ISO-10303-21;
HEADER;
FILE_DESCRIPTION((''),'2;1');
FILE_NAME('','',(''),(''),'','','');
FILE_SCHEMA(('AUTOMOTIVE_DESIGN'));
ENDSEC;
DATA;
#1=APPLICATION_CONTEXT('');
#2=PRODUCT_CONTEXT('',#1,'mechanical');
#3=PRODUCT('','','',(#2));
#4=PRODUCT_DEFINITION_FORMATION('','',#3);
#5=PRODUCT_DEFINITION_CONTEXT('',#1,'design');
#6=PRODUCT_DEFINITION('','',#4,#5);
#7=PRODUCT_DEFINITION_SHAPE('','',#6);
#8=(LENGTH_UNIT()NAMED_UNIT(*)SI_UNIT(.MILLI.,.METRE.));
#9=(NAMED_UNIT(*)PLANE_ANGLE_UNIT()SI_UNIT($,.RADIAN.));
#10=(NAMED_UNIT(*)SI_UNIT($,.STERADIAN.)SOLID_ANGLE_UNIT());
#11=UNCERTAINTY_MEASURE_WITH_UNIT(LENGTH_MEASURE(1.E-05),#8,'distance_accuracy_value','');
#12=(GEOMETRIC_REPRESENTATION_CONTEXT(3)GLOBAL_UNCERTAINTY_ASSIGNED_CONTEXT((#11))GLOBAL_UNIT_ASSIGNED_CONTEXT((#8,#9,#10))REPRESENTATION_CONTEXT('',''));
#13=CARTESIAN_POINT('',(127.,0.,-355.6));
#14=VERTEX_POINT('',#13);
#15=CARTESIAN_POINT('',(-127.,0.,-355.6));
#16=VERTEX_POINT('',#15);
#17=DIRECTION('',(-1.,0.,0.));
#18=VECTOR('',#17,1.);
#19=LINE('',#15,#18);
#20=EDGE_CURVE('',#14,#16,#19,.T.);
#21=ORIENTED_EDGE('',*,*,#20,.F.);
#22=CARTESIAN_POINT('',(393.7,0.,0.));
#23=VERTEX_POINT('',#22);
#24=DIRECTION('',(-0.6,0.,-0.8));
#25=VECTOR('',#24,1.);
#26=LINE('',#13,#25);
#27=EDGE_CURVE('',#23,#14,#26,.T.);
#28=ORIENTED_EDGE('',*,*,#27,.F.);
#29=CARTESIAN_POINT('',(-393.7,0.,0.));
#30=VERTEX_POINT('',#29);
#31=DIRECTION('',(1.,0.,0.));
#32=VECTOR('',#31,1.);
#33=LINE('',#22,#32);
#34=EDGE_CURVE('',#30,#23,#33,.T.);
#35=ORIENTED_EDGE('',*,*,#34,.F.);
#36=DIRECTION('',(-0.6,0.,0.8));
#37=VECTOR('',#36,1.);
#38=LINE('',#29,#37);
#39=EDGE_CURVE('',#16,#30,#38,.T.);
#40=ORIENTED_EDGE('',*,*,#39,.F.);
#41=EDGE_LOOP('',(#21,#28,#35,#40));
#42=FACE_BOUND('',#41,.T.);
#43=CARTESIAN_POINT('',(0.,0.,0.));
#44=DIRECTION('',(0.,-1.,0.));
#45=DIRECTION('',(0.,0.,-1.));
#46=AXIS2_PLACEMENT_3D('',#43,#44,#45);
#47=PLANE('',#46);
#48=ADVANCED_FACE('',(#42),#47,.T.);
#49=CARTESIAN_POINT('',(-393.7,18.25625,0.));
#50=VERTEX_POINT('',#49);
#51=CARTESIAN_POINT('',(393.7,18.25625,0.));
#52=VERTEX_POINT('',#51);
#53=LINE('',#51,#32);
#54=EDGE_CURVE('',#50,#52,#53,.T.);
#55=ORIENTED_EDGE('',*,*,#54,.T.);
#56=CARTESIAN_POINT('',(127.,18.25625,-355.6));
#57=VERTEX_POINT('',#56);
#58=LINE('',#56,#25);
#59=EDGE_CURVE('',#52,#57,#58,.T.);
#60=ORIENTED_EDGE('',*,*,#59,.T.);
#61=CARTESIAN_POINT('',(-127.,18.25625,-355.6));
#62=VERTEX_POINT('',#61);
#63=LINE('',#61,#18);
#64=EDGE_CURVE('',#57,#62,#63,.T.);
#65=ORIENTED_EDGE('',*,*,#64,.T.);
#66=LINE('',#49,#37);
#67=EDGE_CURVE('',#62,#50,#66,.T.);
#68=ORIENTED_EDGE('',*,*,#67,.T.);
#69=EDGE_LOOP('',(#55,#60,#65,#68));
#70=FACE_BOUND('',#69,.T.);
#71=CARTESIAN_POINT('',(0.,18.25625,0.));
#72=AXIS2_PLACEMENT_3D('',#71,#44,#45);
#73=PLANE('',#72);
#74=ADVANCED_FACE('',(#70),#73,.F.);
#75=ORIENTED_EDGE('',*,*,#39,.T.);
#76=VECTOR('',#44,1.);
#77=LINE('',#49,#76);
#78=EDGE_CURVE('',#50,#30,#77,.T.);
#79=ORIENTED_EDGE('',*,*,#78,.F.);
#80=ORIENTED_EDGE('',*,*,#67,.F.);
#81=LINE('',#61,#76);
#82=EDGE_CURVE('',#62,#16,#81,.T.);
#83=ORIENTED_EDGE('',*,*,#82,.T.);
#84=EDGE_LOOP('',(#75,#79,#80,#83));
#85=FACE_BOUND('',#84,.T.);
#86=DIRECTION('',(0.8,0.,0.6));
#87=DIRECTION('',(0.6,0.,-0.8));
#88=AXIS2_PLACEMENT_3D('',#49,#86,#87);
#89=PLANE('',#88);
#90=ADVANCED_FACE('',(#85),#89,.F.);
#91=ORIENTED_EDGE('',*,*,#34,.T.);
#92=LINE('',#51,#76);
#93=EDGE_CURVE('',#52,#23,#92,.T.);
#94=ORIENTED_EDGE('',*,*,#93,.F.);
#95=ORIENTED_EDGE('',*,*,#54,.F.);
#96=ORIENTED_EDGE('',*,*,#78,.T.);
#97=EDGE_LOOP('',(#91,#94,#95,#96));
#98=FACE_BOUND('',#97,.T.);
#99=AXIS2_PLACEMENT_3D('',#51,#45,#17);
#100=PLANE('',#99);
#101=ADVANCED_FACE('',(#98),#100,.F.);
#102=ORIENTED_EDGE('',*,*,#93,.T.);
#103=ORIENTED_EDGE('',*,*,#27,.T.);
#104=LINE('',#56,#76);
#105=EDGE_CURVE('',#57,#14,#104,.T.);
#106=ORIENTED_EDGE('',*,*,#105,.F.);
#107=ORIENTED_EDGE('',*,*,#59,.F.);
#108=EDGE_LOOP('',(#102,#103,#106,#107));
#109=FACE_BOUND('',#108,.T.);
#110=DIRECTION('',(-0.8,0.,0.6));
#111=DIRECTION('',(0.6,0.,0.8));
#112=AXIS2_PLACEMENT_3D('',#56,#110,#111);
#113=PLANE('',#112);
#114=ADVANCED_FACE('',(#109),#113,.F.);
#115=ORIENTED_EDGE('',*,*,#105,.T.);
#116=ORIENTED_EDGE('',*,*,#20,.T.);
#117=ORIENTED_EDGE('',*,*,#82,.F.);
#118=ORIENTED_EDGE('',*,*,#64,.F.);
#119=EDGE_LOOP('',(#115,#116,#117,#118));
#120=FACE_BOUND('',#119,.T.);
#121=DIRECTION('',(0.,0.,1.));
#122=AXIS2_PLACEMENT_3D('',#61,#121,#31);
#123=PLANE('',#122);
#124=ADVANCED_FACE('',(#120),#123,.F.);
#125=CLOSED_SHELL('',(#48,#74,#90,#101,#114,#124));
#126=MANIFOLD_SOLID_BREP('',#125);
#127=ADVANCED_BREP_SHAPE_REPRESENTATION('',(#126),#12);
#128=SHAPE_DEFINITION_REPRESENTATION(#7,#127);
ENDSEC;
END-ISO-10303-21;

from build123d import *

# Parameters (mm, degrees)
BOSS_EXTRUDE1_DEPTH = 18.25625


with BuildPart() as part:
    # Sketch1 → Boss-Extrude1 (new body)
    with BuildSketch(Plane(origin=(0, 0, 0), x_dir=(1, 0, 0), z_dir=(0, 1, 0))):
        Polygon((393.7, 0), (-393.7, 0), (-127, 355.6), (127, 355.6), align=None)
    extrude(amount=BOSS_EXTRUDE1_DEPTH)


solid = part.part
